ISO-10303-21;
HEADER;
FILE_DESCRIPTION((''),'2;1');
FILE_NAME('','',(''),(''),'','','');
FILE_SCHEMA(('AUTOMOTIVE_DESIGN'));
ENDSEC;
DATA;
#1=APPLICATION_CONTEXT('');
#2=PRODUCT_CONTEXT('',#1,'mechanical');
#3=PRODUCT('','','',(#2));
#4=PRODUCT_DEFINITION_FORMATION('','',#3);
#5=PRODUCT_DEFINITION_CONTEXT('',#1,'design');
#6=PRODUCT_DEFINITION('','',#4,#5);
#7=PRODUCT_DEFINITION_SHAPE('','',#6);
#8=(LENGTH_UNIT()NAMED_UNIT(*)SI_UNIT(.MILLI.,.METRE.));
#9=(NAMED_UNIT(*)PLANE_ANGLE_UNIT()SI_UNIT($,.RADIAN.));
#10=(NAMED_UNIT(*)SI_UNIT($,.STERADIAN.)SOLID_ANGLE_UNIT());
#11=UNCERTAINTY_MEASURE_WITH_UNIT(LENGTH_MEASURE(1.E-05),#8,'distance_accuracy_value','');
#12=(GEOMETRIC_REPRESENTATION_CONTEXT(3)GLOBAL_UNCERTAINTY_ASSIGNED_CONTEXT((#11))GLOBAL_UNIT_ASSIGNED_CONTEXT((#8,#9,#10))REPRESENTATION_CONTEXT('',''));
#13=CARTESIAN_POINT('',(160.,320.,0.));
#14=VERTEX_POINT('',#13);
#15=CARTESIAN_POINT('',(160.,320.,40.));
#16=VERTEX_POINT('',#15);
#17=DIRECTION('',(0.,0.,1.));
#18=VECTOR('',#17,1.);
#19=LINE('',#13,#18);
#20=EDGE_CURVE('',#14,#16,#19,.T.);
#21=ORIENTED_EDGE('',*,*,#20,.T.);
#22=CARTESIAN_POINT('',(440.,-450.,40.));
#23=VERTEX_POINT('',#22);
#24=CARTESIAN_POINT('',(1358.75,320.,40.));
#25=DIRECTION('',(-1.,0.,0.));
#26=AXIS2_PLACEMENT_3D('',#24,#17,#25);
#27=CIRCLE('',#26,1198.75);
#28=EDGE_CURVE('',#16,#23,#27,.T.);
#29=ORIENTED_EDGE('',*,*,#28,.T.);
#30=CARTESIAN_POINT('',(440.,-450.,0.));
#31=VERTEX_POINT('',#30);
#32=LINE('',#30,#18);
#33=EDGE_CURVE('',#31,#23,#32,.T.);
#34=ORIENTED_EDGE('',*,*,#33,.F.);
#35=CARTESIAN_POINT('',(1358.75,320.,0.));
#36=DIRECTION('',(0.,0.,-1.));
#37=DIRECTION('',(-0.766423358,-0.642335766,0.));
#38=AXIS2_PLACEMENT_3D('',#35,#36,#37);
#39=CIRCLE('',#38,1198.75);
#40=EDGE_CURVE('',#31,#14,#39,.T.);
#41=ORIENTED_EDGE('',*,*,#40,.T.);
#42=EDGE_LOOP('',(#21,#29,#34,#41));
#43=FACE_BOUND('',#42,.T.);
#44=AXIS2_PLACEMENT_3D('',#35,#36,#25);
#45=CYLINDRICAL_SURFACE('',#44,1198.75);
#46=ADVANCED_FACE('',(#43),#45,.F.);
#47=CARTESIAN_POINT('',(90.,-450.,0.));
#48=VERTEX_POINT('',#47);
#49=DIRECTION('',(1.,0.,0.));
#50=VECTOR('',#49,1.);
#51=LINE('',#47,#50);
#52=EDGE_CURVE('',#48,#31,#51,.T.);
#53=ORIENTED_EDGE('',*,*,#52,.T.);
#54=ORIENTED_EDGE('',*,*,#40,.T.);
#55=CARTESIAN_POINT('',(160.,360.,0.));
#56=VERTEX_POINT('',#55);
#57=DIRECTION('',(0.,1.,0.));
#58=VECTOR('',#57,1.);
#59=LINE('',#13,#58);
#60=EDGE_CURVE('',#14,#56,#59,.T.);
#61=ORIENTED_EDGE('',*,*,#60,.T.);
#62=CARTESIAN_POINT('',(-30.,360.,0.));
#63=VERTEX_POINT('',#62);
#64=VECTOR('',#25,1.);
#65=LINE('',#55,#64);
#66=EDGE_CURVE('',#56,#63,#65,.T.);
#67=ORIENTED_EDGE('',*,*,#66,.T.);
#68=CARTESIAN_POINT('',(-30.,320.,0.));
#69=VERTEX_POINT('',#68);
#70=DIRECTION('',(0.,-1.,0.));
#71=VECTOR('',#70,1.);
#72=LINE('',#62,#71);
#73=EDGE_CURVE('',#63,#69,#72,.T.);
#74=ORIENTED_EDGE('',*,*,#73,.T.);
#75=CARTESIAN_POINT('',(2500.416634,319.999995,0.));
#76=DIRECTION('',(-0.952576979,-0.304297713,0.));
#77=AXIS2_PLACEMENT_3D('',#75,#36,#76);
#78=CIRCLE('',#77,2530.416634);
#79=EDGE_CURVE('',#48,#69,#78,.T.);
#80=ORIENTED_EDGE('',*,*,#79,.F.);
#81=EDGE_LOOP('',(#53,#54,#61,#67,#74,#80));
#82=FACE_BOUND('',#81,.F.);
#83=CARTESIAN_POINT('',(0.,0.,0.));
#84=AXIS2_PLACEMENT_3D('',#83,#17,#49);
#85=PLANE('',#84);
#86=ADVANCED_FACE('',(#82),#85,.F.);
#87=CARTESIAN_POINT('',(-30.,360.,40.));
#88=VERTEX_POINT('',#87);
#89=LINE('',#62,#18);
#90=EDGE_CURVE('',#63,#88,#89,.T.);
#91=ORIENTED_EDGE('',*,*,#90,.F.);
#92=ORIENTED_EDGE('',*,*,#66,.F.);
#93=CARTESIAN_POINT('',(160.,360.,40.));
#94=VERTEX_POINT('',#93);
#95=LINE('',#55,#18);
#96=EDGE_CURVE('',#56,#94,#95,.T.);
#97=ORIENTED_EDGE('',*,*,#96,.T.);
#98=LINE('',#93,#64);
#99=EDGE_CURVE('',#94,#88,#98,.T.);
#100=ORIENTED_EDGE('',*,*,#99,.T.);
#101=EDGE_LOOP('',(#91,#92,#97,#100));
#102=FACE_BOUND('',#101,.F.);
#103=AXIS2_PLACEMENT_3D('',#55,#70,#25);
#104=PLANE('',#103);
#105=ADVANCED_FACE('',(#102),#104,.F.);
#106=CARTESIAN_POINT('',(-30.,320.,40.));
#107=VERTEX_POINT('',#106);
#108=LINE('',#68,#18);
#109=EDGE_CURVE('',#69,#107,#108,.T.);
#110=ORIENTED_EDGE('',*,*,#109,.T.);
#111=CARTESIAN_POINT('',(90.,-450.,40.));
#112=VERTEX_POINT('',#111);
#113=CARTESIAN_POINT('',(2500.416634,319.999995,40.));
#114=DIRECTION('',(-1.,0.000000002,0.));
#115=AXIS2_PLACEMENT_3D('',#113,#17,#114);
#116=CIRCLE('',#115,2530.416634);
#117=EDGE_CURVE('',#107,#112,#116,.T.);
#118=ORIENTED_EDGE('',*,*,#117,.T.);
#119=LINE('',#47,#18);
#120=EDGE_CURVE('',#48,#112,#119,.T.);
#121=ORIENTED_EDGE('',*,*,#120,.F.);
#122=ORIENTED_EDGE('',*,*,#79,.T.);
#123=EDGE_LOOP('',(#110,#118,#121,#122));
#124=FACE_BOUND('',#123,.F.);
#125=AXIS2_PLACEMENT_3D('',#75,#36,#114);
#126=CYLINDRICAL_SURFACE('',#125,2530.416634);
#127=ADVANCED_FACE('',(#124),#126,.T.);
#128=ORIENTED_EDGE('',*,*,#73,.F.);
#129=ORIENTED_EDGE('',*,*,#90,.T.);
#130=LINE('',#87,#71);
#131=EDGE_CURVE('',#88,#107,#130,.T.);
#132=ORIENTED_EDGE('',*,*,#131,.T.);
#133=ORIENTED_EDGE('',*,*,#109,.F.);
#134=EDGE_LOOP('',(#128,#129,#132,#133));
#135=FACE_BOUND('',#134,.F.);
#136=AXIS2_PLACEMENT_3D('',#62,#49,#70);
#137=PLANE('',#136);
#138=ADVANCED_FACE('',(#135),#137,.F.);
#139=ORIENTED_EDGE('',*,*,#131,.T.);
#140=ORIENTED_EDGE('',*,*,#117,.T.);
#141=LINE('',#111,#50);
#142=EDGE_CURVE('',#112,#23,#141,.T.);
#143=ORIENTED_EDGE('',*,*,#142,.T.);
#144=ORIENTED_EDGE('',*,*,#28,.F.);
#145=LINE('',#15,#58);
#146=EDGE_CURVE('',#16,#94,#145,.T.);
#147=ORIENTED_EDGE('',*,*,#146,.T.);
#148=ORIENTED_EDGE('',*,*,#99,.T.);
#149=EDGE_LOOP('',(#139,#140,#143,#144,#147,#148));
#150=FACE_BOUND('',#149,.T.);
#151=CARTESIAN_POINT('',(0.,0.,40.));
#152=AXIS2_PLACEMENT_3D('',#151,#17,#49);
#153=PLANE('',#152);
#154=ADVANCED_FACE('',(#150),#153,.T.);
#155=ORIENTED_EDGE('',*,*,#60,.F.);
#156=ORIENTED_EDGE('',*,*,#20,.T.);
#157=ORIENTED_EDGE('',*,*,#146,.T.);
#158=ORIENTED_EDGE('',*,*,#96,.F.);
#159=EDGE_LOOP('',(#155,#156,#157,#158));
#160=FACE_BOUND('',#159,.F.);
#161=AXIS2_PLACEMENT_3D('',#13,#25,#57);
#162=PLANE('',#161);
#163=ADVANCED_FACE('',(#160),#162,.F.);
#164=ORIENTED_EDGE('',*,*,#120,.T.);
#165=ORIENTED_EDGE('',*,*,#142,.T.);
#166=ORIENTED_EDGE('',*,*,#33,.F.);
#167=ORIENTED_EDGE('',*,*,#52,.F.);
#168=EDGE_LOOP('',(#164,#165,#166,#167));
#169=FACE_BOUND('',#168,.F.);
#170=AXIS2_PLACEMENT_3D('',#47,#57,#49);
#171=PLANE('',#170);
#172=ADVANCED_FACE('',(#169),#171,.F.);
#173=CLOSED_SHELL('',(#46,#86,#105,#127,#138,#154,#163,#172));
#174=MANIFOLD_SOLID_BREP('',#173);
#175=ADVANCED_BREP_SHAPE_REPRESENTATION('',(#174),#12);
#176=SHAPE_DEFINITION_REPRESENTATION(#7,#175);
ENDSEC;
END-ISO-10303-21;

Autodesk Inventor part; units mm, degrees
ref_plane "YZ Plane" through (0, 0, 0) normal (1, 0, 0) x (0, 1, 0)
ref_plane "XZ Plane" through (0, 0, 0) normal (0, 1, 0) x (-1, 0, 0)
ref_plane "XY Plane" through (0, 0, 0) normal (0, 0, 1) x (1, 0, 0)
sketch "Skizze3" plane through (0, 0, 0) normal (0, 0, 1) x (1, 0, 0)
  line L0 (-500, 500) -> (500, 500)
  line L1 (500, 500) -> (500, -500)
  line L2 (500, -500) -> (-500, -500)
  line L3 (-500, -500) -> (-500, 500)
  line L4 (-500, -400) -> (500, -400)
  line L5 (-275, 500) -> (275, 500)
  line L6 (275, 500) -> (275, 320)
  line L7 (275, 320) -> (-275, 320)
  line L8 (-275, 320) -> (-275, 500)
  arc A0 (-275, 320) -> (-400, -400) centre (1736.1, -400) ccw
  arc A1 (400, -400) -> (275, 320) centre (-1736.1, -400) ccw
  line L9 (-160, 320) -> (160, 320)
  line L10 (160, 320) -> (160, 360)
  line L11 (160, 360) -> (-160, 360)
  line L12 (-160, 360) -> (-160, 320)
  line L13 (-440, -450) -> (-140, -450)
  line L14 (90, -450) -> (440, -450)
  line L15 (-30, 360) -> (-30, 320)
  arc A2 (-440, -450) -> (-160, 320) centre (-1358.75, 320) ccw
  arc A3 (-140, -450) -> (-30, 320) centre (-2780, 320) ccw
  arc A4 (-30, 320) -> (90, -450) centre (2500.4167, 320) ccw
  arc A5 (160, 320) -> (440, -450) centre (1358.75, 320) ccw
  line L16 (-160, 360) -> (-440, -450) construction
  line L17 (-160, 360) -> (-146.1239, 400.1416) construction
  line L18 (-30, 360) -> (-146.1239, 400.1416) construction
  line L19 (-30, 360) -> (121.8543, 307.5071) construction
  line L20 (-440, -450) -> (-172.0218, -542.6344) construction
  line L21 (-140, -450) -> (-172.0218, -542.6344) construction
  line L22 (-140, -450) -> (121.8543, 307.5071) construction
  line L23 (-172.9217, 310.595) -> (139.7195, 418.6685) construction
  line L24 (139.7195, 418.6685) -> (440, -450) construction
  line L25 (440, -450) -> (127.3587, -558.0735) construction
  line L26 (127.3587, -558.0735) -> (-172.9217, 310.595) construction
  point P0 (0, 0)
  point P1 (-500, 0)
  point P2 (0, 500)
  point P3 (0, 320)
  point P4 (0, 360)
  dimension "d4" = 1000
  dimension "d5" = 1000
  dimension "d6" = 100
  dimension "d7" = 550
  dimension "d8" = 180
  dimension "d9" = 100
  dimension "d10" = 100
  dimension "d11" = 320
  dimension "d12" = 300
  dimension "d13" = 350
  dimension "d14" = 230
  dimension "d15" = 60
  dimension "d16" = -60
  dimension "d17" = 130
  dimension "d18" = 190
  dimension "d19" = 50
  dimension "d21" = 283.5374
  dimension "d22" = 40
  dimension "d23" = 140
  dimension "d24" = 899.502
  dimension "d25" = 919.1046
  dimension "d26" = 330.7937
extrude "Extrusion5" add sketch "Skizze3" along normal blind 40 contours A5 A1 L4 A4 L7 | L7 L15 L11 L10 | A5 L4 A1 | A5 L14 A4 L4
equation "\"d9\" = d6"
equation "\"d10\" = d6"
properties part number "UA-072-PlatteRechts"
